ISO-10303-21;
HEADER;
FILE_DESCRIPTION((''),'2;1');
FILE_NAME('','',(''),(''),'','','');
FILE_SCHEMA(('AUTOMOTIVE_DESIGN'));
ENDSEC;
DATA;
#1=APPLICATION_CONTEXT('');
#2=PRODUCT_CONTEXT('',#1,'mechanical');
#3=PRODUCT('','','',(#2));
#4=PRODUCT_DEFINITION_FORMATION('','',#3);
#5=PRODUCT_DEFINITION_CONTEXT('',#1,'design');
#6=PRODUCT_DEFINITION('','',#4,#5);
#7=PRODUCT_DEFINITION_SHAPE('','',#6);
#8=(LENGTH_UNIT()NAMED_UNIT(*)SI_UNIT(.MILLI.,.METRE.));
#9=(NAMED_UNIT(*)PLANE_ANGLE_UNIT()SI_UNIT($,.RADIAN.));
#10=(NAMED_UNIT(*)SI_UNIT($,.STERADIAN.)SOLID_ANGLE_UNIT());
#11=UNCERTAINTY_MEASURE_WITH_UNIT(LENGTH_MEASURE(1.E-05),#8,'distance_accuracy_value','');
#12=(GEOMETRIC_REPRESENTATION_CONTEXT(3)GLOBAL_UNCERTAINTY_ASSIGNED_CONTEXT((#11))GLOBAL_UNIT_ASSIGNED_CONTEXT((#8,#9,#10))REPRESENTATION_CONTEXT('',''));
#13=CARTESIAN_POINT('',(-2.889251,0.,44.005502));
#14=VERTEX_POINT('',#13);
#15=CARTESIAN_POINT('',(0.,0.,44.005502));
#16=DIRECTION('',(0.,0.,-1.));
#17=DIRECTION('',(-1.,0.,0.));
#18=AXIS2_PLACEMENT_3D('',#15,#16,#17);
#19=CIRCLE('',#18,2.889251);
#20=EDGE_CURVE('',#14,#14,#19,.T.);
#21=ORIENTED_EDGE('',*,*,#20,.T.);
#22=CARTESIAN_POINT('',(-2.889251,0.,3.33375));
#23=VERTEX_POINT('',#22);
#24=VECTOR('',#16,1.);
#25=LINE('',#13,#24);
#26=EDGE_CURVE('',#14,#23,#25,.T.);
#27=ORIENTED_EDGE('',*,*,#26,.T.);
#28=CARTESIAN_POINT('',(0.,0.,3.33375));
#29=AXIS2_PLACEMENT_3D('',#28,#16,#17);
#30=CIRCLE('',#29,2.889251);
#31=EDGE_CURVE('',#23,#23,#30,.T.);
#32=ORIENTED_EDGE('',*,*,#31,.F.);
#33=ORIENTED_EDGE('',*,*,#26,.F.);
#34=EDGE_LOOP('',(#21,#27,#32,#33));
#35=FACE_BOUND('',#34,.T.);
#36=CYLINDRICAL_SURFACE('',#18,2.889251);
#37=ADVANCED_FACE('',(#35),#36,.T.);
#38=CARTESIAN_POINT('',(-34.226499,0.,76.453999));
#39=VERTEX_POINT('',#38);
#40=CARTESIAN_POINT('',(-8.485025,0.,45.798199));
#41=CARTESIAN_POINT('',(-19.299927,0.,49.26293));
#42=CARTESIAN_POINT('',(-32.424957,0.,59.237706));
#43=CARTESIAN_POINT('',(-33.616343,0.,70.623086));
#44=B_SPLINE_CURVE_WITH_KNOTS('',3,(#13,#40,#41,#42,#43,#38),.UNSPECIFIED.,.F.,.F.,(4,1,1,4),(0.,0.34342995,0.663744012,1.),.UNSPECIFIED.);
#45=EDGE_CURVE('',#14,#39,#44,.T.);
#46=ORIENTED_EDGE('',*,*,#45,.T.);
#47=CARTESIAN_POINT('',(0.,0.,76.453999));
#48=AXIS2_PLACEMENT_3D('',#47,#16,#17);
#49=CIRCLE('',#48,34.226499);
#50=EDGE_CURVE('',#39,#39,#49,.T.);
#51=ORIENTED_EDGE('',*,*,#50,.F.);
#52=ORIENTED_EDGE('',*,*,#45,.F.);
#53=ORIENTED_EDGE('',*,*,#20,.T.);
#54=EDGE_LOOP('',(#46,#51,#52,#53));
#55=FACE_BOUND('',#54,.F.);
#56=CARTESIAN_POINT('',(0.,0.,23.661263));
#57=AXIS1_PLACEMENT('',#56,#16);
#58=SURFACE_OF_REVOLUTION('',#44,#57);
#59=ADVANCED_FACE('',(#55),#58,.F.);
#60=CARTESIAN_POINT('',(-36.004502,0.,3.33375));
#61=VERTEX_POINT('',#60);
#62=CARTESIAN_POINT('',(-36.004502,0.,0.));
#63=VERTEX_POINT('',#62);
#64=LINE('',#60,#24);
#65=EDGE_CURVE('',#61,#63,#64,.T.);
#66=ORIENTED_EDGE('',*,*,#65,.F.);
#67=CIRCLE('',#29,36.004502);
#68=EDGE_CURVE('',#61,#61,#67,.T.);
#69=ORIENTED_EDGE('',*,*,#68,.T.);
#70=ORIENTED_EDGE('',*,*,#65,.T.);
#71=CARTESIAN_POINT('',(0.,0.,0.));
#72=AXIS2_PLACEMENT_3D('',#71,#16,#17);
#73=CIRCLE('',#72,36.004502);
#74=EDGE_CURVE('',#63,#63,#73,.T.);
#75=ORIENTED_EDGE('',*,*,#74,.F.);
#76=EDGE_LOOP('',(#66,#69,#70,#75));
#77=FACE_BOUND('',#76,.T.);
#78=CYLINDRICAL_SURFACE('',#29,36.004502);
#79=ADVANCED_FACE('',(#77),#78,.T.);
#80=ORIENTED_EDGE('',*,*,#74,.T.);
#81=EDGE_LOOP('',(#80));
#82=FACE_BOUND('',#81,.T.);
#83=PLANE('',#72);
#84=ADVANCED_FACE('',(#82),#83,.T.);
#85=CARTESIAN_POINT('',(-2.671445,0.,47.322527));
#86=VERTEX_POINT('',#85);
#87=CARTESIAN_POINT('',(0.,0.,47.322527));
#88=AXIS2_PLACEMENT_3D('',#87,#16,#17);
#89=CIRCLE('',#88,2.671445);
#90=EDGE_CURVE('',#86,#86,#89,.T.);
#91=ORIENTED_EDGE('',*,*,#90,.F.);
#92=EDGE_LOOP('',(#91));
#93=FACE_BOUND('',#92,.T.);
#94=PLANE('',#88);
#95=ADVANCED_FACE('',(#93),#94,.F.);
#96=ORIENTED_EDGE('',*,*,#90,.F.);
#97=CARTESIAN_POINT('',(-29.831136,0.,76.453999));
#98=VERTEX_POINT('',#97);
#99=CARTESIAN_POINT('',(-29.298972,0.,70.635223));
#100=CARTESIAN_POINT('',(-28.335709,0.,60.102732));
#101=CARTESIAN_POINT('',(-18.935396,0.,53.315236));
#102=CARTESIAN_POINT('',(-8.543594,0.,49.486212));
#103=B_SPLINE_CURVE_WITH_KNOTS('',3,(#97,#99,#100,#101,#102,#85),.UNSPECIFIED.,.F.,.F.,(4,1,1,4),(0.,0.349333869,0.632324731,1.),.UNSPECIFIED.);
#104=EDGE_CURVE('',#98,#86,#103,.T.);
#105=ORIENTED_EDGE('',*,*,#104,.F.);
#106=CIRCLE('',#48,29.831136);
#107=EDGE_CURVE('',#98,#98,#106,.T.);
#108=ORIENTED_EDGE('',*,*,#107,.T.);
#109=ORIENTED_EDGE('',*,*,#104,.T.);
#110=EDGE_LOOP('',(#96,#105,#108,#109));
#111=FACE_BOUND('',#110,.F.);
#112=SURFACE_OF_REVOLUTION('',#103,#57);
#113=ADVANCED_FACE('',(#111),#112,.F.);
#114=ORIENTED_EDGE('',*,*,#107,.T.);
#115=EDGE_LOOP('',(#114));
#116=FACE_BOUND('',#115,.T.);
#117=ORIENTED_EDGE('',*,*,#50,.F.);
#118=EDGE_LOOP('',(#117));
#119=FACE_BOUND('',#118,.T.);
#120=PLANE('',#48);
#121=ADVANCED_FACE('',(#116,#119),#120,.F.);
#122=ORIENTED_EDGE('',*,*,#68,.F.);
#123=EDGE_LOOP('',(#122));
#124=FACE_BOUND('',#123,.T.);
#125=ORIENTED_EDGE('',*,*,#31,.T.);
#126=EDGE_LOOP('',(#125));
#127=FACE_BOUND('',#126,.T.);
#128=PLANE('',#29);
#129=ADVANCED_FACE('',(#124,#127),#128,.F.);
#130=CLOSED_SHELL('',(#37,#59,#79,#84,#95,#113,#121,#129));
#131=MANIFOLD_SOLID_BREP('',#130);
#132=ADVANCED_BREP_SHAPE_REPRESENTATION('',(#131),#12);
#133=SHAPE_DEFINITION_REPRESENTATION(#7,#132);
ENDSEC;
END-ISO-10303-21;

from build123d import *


with BuildPart() as f1:
    # F0 (on Front) → F1 (revolve)
    with BuildSketch(Plane.XZ):
        with BuildLine():
            Line((-36.0045023263, 0), (0, 0))
            Line((0, 0), (0, 47.3225265741))
            Line((0, 47.3225265741), (-2.6714450214, 47.3225265741))
            add(Edge.make_bspline(
                [(-29.8311356455, 76.4539986849), (-29.2989716649, 70.6352231057), (-28.3357085084, 60.1027324923), (-18.9353962678, 53.3152355224), (-8.5435942404, 49.4862124237), (-2.6714450214, 47.3225265741)],
                knots=[0, 0, 0, 0, 0.3493338694, 0.6323247305, 1, 1, 1, 1], degree=3))
            Line((-29.8311356455, 76.4539986849), (-34.2264994979, 76.4539986849))
            add(Edge.make_bspline(
                [(-2.889250638, 44.0055020154), (-8.4850245518, 45.7981994756), (-19.2999270625, 49.2629299243), (-32.4249567616, 59.2377059697), (-33.616342724, 70.6230864285), (-34.2264994979, 76.4539986849)],
                knots=[0, 0, 0, 0, 0.3434299501, 0.6637440123, 1, 1, 1, 1], degree=3))
            Line((-2.889250638, 44.0055020154), (-2.889250638, 3.3337501809))
            Line((-2.889250638, 3.3337501809), (-36.0045023263, 3.3337501809))
            Line((-36.0045023263, 3.3337501809), (-36.0045023263, 0))
        make_face()
    revolve(axis=Axis((0, 0, 23.6612632871), (0, 0, -1)))


solid = f1.part
